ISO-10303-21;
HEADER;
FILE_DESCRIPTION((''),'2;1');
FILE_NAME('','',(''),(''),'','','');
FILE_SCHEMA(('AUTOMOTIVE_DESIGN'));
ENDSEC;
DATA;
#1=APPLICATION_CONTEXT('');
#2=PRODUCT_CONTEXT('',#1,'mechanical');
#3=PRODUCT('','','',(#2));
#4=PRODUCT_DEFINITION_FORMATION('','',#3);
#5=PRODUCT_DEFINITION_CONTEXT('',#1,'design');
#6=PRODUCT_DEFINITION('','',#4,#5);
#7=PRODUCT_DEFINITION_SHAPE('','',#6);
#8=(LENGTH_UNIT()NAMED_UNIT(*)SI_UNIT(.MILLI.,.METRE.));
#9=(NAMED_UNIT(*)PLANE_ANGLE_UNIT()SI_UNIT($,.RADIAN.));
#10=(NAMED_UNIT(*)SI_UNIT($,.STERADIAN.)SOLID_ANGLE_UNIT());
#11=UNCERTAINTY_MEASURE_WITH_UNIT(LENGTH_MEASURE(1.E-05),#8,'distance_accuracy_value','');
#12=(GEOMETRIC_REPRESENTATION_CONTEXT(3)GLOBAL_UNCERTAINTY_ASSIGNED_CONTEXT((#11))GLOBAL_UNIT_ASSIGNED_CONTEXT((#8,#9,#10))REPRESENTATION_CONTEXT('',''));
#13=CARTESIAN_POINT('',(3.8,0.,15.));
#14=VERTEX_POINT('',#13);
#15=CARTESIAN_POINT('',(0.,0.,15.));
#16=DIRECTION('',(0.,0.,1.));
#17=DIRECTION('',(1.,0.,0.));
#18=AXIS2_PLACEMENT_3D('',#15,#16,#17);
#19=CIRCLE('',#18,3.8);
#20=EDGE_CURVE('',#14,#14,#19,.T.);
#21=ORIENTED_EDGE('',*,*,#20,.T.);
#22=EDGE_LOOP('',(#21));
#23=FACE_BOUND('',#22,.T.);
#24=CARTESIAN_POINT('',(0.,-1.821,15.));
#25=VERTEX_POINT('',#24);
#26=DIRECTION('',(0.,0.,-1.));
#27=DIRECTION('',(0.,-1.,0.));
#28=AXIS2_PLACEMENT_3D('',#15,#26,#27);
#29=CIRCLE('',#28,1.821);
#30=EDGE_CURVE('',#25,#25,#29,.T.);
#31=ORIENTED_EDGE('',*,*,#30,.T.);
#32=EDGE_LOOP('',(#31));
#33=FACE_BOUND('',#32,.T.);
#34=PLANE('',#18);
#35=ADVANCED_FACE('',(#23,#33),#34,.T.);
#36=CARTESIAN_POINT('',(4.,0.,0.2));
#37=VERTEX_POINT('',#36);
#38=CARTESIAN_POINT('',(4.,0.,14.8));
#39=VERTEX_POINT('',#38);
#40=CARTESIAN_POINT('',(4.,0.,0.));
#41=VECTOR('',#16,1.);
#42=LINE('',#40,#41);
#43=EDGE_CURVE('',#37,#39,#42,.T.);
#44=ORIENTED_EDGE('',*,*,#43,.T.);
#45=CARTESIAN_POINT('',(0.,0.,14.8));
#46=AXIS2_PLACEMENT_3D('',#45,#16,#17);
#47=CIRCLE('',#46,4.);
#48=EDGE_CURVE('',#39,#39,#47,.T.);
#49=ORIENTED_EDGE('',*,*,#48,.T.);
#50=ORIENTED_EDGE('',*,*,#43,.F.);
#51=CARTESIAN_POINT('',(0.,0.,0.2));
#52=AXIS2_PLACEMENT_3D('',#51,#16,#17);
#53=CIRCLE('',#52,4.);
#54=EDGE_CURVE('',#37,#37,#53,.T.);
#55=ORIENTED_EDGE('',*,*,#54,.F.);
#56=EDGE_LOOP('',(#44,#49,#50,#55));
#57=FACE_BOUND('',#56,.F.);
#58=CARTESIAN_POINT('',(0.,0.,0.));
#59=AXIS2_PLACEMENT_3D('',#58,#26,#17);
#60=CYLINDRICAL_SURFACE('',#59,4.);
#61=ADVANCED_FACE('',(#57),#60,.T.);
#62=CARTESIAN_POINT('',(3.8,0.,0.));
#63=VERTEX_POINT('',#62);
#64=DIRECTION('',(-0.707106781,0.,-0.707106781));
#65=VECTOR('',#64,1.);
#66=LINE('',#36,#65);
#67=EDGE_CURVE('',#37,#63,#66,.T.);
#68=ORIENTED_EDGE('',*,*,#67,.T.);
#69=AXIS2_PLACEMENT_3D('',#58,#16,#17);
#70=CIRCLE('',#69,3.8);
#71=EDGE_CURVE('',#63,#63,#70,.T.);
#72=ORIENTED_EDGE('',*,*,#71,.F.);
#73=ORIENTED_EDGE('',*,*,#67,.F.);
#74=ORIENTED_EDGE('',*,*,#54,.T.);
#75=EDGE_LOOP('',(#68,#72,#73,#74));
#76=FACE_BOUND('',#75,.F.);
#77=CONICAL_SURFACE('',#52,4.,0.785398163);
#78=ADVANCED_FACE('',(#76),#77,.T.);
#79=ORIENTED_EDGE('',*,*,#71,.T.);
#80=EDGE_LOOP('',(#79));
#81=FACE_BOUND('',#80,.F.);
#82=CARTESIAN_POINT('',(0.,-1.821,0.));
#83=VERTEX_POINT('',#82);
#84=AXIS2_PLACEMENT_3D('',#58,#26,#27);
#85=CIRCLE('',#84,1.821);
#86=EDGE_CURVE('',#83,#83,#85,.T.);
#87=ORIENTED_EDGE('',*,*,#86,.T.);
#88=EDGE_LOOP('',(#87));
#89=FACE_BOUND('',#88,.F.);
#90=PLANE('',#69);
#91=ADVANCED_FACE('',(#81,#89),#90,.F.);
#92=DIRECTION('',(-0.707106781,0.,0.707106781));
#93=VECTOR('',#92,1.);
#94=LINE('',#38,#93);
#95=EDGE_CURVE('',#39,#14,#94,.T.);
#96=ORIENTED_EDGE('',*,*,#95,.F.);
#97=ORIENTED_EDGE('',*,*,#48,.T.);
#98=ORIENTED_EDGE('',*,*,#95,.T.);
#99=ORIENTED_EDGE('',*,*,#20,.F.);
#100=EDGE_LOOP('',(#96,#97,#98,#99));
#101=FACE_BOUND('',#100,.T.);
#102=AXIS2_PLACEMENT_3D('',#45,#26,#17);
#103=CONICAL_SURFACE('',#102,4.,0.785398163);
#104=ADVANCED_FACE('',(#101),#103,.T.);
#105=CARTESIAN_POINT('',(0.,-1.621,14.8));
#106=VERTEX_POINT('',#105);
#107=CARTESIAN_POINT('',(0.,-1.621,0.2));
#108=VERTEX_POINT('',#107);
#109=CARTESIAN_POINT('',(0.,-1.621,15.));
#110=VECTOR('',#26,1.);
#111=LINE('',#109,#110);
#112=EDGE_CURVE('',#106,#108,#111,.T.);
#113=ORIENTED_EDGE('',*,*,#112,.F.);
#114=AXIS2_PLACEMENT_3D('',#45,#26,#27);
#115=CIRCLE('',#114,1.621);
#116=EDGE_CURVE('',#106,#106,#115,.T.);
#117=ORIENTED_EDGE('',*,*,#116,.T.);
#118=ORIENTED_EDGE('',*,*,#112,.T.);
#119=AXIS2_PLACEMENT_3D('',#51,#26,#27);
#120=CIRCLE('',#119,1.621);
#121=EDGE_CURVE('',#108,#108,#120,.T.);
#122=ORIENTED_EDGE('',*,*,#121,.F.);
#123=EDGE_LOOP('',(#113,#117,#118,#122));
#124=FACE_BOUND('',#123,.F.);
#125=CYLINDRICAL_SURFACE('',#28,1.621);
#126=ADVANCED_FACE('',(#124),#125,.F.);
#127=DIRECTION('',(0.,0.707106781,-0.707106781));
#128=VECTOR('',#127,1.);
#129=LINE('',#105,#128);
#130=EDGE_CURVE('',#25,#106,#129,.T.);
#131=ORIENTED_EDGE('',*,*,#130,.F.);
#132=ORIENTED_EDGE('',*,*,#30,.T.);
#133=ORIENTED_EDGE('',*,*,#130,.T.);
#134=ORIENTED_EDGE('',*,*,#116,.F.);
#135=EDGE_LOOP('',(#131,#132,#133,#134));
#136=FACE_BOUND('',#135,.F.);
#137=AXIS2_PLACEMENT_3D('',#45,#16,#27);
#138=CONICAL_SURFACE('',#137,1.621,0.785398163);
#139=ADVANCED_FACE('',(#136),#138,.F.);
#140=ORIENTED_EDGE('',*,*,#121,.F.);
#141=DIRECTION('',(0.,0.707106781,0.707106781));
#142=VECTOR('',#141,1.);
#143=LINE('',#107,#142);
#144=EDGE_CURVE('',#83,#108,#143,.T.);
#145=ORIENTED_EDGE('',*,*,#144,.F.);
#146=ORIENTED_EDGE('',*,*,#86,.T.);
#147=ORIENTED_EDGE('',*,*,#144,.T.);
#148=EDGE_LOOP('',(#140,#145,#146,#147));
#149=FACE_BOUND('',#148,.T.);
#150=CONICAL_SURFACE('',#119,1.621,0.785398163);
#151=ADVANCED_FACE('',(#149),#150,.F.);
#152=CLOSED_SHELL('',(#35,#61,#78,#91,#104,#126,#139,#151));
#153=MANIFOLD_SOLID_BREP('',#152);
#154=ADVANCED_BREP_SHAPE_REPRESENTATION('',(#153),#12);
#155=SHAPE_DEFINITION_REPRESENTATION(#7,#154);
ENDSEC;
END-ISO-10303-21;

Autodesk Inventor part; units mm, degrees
ref_plane "YZ Plane" through (0, 0, 0) normal (1, 0, 0) x (0, 1, 0)
ref_plane "XZ Plane" through (0, 0, 0) normal (0, 1, 0) x (-1, 0, 0)
ref_plane "XY Plane" through (0, 0, 0) normal (0, 0, 1) x (1, 0, 0)
sketch "スケッチ1" plane through (0, 0, 0) normal (0, 0, 1) x (1, 0, 0)
  circle A0 centre (0, 0) radius 4
  dimension "d13" = 8
extrude "押し出し1" add sketch "スケッチ1" along normal blind 15
sketch "スケッチ2" plane through (0, 0, 15) normal (0, 0, 1) x (1, 0, 0)
  point P0 (0, 0)
  point P1 (0, 0)
hole "穴1" at (0, 0, 15) direction (0, 0, -1) diameter 3.242 end through all thread size "M4x0.7" class "6H" standard "ANSI Metric M Profile"
chamfer "面取り1" distance 0.2 angle 45 4 edges at (0, 1.621, 15) (0, 1.621, 0) (-4, 0, 15) (-4, 0, 0)
properties part number "ARF-415" material "鋼、炭素鋼"
